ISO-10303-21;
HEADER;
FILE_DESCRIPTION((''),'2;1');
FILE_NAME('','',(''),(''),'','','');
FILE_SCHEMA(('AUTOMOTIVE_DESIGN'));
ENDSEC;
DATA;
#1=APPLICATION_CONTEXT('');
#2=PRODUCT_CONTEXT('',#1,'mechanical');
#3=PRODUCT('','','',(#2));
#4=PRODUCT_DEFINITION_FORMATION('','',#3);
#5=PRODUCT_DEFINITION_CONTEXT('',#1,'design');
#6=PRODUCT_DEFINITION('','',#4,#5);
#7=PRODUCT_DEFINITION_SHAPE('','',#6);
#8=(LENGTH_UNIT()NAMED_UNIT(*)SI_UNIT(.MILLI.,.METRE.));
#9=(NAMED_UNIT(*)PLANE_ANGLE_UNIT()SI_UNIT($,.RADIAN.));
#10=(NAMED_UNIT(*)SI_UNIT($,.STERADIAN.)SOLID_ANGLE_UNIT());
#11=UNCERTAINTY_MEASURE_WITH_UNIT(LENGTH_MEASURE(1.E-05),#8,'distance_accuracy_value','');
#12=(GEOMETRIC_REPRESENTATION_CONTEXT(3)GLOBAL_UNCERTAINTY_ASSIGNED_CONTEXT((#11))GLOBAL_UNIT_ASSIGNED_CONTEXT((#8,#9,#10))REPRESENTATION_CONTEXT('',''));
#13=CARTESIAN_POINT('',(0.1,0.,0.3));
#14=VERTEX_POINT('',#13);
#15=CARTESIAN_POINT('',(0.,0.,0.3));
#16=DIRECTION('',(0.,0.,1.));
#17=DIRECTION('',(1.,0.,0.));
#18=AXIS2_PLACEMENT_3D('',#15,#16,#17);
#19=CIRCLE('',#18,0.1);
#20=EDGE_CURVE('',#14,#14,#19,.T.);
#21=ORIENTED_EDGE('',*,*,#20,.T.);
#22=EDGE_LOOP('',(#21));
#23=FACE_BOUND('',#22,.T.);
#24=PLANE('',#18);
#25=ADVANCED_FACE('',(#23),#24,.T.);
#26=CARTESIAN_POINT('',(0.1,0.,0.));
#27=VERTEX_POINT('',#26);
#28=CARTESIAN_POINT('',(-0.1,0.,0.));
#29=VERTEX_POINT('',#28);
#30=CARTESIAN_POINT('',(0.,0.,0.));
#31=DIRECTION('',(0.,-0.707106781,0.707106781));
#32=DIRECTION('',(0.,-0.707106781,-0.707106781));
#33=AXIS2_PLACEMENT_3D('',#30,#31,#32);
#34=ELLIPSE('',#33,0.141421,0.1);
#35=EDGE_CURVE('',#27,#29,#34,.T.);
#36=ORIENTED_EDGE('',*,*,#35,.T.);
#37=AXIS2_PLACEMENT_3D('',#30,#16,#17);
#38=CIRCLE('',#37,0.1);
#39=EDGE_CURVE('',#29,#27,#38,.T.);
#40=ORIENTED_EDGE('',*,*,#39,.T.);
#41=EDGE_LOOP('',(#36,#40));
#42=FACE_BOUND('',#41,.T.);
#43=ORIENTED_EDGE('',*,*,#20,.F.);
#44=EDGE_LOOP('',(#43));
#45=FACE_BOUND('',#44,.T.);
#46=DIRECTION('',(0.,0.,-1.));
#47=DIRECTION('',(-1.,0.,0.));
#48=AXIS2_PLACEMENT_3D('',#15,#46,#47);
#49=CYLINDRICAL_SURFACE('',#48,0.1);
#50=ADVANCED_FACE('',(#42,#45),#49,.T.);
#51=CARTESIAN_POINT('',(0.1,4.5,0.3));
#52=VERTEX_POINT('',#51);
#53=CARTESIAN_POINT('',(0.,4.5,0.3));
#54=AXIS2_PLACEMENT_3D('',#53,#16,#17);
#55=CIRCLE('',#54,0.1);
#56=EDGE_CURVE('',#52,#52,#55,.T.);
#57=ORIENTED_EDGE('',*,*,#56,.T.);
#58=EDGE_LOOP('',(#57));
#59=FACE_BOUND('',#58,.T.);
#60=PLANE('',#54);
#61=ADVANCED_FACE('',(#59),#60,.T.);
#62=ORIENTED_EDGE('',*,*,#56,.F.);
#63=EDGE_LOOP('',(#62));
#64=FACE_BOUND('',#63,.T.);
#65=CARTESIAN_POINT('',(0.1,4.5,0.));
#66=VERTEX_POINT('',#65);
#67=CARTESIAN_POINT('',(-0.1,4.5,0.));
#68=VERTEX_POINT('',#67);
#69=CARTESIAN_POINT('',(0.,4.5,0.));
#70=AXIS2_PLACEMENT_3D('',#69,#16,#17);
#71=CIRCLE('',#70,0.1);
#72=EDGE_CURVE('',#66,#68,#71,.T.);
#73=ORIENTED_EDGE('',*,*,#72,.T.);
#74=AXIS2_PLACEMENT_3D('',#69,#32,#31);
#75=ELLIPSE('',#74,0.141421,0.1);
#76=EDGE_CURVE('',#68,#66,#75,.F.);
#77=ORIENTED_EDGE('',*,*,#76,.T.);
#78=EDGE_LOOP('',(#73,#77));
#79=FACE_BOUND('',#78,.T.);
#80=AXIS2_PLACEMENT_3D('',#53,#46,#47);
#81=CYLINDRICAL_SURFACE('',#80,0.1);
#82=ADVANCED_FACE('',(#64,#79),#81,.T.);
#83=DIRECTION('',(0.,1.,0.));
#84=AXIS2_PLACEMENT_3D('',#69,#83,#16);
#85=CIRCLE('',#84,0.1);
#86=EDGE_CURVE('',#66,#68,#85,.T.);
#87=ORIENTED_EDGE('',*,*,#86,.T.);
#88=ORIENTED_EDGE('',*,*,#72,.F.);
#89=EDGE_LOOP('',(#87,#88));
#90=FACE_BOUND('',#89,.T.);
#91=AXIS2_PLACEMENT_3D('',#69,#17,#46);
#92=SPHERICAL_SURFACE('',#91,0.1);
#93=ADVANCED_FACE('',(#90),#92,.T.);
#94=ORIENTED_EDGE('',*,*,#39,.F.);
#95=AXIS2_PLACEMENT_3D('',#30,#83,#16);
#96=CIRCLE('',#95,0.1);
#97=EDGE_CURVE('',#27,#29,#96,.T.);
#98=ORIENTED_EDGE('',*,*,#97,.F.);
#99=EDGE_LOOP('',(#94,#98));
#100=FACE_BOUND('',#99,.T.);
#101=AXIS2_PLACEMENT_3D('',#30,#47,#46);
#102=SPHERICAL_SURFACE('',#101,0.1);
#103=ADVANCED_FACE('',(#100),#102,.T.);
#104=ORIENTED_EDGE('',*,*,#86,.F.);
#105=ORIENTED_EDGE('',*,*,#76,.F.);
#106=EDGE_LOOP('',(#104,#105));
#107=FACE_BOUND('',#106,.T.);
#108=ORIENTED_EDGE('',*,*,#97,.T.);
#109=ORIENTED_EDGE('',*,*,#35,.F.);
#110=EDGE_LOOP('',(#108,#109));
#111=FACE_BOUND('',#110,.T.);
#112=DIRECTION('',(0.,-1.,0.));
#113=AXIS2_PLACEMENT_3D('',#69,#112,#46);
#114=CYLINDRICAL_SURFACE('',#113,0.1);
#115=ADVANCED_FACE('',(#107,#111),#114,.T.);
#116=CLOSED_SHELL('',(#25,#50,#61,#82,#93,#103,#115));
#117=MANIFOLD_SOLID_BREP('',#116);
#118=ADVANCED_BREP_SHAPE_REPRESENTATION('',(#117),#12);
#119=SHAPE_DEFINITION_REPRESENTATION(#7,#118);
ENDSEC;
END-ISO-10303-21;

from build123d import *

# Parameters (mm, degrees)
SKETCH1_R           = 0.1
BOSS_EXTRUDE1_DEPTH = 4.5
SKETCH2_R           = 0.1
BOSS_EXTRUDE2_DEPTH = 0.3
REVOLVE1_ANGLE      = 90
REVOLVE2_ANGLE      = 90


with BuildPart() as part:
    # Sketch1 → Boss-Extrude1 (new body)
    with BuildSketch(Plane(origin=(0, 0, 0), x_dir=(1, 0, 0), z_dir=(0, 1, 0))):
        with Locations(Location((0, 0, 0), (0, 0, 270))):
            Circle(SKETCH1_R)
    extrude(amount=BOSS_EXTRUDE1_DEPTH)

    # Sketch2 → Boss-Extrude2 (add)
    with BuildSketch(Plane.XY):
        with Locations((0, 4.5)):
            Circle(SKETCH2_R)
        Circle(SKETCH2_R)
    extrude(amount=BOSS_EXTRUDE2_DEPTH)

    # Sketch5 → Revolve1 (revolve)
    with BuildSketch(Plane(origin=(0, 0, 0), x_dir=(-1, 0, 0), z_dir=(0, 0, -1))):
        with BuildLine():
            Line((-0.1, 4.5), (0.1, 4.5))
            ThreePointArc((0.1, 4.5), (0, 4.6), (-0.1, 4.5))
        make_face()
    revolve(axis=Axis((0.1, 4.5, 0), (-1, 0, 0)), revolution_arc=REVOLVE1_ANGLE)

    # Sketch6 → Revolve2 (revolve)
    with BuildSketch(Plane(origin=(0, 0, 0), x_dir=(-1, 0, 0), z_dir=(0, 0, -1))):
        with BuildLine():
            Line((-0.1, 0), (0.1, 0))
            ThreePointArc((0.1, 0), (0, -0.1), (-0.1, 0))
        make_face()
    revolve(axis=Axis((0.1, 0, 0), (1, 0, 0)), revolution_arc=REVOLVE2_ANGLE)


solid = part.part
